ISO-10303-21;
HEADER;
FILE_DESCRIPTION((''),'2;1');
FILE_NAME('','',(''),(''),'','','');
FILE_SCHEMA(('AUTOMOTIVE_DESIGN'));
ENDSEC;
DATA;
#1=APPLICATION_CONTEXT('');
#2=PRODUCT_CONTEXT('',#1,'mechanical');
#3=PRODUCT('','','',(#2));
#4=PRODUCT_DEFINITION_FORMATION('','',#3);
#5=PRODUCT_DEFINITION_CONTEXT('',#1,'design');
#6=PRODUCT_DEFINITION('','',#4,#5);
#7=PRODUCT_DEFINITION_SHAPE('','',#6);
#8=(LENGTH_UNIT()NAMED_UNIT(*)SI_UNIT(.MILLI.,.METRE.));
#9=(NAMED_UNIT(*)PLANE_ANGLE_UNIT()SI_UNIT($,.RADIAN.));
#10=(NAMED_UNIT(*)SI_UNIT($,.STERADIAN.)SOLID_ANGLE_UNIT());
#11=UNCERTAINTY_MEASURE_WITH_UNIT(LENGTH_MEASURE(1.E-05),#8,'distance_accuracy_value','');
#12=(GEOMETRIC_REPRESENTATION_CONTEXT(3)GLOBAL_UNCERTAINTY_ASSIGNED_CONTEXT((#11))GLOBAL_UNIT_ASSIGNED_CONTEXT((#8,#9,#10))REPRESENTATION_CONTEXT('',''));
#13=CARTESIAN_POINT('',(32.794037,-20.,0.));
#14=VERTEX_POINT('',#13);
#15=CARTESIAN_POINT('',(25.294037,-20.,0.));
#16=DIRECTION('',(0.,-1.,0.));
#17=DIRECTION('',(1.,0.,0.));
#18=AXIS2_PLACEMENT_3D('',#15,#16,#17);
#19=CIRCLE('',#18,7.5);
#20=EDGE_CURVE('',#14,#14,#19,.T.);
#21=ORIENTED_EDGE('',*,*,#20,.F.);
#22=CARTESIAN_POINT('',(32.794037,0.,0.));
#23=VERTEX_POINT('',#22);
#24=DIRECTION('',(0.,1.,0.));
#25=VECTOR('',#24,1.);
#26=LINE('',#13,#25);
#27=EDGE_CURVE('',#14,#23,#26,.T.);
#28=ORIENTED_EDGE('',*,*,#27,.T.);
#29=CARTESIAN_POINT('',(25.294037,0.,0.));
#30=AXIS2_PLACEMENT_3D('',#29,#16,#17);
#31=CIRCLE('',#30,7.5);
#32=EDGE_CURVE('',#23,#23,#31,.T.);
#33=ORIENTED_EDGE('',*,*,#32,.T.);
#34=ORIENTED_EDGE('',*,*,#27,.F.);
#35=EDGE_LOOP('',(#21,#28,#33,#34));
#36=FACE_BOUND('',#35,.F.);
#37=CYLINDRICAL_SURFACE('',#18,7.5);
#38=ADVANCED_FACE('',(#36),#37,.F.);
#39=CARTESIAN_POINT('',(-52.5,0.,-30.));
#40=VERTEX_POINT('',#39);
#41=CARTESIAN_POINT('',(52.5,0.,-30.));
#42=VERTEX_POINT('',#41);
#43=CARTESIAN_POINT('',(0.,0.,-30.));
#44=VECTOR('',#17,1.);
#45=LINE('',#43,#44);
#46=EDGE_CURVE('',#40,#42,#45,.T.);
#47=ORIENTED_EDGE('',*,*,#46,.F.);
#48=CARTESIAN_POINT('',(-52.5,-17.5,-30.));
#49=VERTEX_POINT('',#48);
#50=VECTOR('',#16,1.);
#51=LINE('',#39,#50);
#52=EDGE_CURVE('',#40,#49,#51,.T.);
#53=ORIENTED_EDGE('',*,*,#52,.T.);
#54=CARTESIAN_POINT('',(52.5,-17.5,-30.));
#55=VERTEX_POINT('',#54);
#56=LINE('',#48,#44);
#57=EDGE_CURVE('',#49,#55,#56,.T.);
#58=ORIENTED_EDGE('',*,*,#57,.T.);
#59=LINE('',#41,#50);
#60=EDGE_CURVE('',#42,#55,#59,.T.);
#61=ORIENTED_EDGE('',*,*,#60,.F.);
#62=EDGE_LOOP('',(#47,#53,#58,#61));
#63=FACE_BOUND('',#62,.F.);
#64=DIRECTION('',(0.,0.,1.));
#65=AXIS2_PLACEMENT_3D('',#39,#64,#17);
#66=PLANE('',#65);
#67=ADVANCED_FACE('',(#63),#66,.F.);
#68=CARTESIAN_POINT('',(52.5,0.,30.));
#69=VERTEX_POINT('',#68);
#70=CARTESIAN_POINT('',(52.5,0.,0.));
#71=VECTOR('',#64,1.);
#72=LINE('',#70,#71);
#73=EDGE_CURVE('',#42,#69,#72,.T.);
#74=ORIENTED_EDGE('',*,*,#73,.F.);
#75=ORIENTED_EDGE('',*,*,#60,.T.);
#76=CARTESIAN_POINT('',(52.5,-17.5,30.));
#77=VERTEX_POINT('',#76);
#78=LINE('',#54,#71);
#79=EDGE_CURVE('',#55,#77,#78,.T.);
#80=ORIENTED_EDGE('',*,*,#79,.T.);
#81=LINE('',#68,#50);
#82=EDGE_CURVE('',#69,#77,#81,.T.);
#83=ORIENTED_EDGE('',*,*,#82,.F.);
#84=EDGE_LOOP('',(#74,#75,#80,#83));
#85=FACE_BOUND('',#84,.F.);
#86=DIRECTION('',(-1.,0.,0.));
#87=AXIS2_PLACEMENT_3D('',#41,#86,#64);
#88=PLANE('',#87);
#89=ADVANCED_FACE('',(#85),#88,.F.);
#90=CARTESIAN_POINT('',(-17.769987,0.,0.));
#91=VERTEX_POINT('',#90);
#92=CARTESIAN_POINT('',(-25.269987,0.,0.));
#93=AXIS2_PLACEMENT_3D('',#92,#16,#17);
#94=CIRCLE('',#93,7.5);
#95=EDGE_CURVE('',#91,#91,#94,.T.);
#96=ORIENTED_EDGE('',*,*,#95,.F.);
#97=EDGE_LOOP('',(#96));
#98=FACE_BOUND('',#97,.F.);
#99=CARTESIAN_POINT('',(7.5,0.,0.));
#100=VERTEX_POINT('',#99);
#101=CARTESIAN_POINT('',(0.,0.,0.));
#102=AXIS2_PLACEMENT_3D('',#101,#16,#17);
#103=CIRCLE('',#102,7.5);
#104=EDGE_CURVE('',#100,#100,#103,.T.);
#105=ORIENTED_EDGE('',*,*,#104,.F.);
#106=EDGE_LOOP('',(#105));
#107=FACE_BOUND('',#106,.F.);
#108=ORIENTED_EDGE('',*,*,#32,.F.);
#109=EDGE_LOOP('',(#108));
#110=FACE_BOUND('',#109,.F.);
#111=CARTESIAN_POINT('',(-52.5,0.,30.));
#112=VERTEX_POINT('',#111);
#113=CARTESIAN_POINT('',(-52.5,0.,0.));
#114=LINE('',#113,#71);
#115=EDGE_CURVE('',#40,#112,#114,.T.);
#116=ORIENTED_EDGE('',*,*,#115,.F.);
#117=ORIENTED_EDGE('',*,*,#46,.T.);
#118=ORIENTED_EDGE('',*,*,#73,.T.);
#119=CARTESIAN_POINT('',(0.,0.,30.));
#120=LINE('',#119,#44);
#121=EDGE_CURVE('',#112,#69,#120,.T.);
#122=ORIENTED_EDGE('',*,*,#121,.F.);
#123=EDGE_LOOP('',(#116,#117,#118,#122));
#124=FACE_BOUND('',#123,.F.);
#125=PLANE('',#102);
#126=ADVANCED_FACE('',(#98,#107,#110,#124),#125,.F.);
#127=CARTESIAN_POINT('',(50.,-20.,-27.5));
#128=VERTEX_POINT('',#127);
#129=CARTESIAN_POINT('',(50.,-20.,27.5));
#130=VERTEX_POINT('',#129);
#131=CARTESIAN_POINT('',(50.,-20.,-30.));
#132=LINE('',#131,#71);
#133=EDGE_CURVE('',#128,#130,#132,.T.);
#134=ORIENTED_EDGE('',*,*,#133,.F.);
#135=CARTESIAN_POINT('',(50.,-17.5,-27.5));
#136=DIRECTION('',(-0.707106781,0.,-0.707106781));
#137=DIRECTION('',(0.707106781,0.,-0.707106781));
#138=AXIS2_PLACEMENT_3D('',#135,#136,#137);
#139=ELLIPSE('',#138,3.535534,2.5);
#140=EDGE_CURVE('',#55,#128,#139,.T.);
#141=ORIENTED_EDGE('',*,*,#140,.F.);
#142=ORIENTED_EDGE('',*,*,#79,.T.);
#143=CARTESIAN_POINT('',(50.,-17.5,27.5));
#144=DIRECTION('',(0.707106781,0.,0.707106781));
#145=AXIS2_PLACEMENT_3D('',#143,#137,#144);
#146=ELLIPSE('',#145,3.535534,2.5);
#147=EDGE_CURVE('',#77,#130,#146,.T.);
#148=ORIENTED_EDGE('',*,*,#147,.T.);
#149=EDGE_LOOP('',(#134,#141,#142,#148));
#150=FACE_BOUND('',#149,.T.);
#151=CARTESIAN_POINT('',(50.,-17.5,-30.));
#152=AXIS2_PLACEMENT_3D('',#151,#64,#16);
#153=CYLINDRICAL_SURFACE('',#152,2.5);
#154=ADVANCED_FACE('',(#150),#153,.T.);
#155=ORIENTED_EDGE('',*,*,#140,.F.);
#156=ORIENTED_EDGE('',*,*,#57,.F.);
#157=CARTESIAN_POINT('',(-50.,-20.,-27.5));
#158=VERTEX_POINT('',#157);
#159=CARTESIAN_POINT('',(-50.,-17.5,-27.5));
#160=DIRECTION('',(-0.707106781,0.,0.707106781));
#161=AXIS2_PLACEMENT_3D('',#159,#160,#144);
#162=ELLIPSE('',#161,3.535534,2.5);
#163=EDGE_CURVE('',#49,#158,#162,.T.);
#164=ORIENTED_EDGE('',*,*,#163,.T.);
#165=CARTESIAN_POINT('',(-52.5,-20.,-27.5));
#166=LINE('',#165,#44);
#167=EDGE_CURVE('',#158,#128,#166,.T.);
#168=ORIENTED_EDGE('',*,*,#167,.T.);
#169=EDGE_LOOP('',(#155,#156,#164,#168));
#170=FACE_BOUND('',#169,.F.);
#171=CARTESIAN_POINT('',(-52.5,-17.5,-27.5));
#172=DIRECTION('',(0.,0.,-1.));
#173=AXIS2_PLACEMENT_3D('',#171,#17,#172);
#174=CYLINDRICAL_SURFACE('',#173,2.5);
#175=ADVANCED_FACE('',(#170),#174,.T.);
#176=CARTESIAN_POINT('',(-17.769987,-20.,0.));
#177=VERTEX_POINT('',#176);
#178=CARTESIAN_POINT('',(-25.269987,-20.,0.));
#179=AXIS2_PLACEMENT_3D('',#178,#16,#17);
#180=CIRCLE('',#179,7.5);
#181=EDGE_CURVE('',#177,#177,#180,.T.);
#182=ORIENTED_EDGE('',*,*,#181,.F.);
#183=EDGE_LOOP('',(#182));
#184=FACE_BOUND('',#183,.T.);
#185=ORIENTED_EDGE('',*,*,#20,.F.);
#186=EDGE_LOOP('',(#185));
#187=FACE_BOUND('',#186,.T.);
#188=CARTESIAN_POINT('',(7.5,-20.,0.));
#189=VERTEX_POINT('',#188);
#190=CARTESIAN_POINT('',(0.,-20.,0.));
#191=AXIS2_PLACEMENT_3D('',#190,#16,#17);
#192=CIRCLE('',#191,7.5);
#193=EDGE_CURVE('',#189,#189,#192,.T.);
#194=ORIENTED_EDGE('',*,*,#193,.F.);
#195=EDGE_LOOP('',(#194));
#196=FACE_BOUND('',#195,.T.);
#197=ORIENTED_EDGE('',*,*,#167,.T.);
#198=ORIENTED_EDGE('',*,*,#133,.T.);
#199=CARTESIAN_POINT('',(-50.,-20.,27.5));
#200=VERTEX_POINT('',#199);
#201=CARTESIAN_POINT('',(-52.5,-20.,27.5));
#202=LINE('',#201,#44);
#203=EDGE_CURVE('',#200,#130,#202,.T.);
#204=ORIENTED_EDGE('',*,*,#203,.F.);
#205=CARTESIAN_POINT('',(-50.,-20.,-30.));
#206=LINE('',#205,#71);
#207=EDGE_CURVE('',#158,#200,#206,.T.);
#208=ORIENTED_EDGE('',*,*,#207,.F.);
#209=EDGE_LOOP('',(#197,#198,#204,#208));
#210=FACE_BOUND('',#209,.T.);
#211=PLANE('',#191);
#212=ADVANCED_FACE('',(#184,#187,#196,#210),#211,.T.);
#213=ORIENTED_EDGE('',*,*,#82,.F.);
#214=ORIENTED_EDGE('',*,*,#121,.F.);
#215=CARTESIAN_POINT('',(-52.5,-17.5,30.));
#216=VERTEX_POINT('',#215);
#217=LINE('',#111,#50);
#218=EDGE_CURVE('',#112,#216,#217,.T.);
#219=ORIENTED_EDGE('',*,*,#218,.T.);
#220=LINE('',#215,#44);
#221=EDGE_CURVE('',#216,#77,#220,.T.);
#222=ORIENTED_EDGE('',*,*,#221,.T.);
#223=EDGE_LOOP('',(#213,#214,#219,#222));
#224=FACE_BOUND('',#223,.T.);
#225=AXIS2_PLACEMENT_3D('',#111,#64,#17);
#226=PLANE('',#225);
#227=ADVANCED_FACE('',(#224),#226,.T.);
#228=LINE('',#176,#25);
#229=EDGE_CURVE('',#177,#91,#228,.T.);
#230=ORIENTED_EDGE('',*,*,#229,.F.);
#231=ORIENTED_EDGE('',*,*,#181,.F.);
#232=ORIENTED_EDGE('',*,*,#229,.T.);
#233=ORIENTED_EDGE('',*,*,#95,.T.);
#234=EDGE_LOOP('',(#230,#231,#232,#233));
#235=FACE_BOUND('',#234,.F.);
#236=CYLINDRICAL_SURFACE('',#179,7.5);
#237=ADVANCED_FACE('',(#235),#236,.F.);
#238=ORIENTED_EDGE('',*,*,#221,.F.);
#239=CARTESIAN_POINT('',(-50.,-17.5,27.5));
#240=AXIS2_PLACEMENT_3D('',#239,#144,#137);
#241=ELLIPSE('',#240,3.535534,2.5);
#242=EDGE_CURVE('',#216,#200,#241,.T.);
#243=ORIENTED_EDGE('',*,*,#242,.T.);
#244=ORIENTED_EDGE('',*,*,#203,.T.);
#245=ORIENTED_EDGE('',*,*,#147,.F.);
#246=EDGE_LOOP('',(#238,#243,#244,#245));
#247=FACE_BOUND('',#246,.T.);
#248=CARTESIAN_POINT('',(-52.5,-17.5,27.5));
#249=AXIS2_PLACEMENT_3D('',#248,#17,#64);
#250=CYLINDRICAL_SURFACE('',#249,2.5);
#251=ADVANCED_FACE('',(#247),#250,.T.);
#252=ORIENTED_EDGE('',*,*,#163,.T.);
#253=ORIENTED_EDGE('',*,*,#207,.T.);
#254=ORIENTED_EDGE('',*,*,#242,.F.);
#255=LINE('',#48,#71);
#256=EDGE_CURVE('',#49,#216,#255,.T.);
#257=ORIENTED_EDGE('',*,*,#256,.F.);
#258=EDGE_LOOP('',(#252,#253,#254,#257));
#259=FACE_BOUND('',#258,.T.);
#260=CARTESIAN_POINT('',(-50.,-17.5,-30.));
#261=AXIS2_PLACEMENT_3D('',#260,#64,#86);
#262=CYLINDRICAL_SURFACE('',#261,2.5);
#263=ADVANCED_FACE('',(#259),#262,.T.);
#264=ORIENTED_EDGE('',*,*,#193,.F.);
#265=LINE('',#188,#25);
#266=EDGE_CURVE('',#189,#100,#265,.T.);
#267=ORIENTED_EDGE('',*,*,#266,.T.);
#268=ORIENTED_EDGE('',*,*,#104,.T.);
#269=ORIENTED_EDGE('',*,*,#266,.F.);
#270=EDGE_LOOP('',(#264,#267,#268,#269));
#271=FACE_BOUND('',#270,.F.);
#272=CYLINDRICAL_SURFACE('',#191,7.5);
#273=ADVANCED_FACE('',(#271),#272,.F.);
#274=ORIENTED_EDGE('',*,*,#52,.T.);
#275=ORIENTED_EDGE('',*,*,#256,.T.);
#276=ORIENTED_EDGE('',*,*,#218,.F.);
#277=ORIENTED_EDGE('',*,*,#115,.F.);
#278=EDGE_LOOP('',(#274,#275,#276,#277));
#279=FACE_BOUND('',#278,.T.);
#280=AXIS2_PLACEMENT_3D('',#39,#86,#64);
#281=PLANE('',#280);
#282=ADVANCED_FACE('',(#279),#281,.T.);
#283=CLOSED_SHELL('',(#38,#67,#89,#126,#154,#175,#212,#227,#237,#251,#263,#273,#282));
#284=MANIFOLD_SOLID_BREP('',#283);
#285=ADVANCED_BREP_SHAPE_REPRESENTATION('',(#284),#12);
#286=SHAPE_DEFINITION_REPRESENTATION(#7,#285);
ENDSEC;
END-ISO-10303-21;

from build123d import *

# Parameters (mm, degrees)
F0_W     = 105
F0_H     = 60
F1_DEPTH = 20
F3_DEPTH = 20
F2_R     = 7.5
F4_DEPTH = 20
F5_R     = 2.5


with BuildPart() as f1:
    # F0 (on Front) → F1 (new body)
    with BuildSketch(Plane.XZ):
        Rectangle(F0_W, F0_H)
    extrude(amount=F1_DEPTH)

    # F2 (on face) → F3 (cut)
    with BuildSketch(Plane.XZ.offset(20)):
        with BuildLine():
            ThreePointArc((-7.5, 0), (0, -7.5), (7.5, 0))
            ThreePointArc((7.5, 0), (0, 7.5), (-7.5, 0))
        make_face()
    extrude(amount=-F3_DEPTH, mode=Mode.SUBTRACT)

    # F2 (on face) → F4 (cut)
    with BuildSketch(Plane.XZ.offset(20)):
        with BuildLine():
            ThreePointArc((-7.5, 0), (0, -7.5), (7.5, 0))
            ThreePointArc((7.5, 0), (0, 7.5), (-7.5, 0))
        make_face()
        with Locations((-25.269987, 0)):
            Circle(F2_R)
        with Locations((25.294037, 0)):
            Circle(F2_R)
    extrude(amount=-F4_DEPTH, mode=Mode.SUBTRACT)

    # F5
    f5_edges = [f1.edges().sort_by_distance(p)[0] for p in [
        (0, -20, 30),
        (-52.5, -20, 0),
        (0, -20, -30),
        (52.5, -20, 0),
    ]]
    fillet(f5_edges, radius=F5_R)


solid = f1.part
